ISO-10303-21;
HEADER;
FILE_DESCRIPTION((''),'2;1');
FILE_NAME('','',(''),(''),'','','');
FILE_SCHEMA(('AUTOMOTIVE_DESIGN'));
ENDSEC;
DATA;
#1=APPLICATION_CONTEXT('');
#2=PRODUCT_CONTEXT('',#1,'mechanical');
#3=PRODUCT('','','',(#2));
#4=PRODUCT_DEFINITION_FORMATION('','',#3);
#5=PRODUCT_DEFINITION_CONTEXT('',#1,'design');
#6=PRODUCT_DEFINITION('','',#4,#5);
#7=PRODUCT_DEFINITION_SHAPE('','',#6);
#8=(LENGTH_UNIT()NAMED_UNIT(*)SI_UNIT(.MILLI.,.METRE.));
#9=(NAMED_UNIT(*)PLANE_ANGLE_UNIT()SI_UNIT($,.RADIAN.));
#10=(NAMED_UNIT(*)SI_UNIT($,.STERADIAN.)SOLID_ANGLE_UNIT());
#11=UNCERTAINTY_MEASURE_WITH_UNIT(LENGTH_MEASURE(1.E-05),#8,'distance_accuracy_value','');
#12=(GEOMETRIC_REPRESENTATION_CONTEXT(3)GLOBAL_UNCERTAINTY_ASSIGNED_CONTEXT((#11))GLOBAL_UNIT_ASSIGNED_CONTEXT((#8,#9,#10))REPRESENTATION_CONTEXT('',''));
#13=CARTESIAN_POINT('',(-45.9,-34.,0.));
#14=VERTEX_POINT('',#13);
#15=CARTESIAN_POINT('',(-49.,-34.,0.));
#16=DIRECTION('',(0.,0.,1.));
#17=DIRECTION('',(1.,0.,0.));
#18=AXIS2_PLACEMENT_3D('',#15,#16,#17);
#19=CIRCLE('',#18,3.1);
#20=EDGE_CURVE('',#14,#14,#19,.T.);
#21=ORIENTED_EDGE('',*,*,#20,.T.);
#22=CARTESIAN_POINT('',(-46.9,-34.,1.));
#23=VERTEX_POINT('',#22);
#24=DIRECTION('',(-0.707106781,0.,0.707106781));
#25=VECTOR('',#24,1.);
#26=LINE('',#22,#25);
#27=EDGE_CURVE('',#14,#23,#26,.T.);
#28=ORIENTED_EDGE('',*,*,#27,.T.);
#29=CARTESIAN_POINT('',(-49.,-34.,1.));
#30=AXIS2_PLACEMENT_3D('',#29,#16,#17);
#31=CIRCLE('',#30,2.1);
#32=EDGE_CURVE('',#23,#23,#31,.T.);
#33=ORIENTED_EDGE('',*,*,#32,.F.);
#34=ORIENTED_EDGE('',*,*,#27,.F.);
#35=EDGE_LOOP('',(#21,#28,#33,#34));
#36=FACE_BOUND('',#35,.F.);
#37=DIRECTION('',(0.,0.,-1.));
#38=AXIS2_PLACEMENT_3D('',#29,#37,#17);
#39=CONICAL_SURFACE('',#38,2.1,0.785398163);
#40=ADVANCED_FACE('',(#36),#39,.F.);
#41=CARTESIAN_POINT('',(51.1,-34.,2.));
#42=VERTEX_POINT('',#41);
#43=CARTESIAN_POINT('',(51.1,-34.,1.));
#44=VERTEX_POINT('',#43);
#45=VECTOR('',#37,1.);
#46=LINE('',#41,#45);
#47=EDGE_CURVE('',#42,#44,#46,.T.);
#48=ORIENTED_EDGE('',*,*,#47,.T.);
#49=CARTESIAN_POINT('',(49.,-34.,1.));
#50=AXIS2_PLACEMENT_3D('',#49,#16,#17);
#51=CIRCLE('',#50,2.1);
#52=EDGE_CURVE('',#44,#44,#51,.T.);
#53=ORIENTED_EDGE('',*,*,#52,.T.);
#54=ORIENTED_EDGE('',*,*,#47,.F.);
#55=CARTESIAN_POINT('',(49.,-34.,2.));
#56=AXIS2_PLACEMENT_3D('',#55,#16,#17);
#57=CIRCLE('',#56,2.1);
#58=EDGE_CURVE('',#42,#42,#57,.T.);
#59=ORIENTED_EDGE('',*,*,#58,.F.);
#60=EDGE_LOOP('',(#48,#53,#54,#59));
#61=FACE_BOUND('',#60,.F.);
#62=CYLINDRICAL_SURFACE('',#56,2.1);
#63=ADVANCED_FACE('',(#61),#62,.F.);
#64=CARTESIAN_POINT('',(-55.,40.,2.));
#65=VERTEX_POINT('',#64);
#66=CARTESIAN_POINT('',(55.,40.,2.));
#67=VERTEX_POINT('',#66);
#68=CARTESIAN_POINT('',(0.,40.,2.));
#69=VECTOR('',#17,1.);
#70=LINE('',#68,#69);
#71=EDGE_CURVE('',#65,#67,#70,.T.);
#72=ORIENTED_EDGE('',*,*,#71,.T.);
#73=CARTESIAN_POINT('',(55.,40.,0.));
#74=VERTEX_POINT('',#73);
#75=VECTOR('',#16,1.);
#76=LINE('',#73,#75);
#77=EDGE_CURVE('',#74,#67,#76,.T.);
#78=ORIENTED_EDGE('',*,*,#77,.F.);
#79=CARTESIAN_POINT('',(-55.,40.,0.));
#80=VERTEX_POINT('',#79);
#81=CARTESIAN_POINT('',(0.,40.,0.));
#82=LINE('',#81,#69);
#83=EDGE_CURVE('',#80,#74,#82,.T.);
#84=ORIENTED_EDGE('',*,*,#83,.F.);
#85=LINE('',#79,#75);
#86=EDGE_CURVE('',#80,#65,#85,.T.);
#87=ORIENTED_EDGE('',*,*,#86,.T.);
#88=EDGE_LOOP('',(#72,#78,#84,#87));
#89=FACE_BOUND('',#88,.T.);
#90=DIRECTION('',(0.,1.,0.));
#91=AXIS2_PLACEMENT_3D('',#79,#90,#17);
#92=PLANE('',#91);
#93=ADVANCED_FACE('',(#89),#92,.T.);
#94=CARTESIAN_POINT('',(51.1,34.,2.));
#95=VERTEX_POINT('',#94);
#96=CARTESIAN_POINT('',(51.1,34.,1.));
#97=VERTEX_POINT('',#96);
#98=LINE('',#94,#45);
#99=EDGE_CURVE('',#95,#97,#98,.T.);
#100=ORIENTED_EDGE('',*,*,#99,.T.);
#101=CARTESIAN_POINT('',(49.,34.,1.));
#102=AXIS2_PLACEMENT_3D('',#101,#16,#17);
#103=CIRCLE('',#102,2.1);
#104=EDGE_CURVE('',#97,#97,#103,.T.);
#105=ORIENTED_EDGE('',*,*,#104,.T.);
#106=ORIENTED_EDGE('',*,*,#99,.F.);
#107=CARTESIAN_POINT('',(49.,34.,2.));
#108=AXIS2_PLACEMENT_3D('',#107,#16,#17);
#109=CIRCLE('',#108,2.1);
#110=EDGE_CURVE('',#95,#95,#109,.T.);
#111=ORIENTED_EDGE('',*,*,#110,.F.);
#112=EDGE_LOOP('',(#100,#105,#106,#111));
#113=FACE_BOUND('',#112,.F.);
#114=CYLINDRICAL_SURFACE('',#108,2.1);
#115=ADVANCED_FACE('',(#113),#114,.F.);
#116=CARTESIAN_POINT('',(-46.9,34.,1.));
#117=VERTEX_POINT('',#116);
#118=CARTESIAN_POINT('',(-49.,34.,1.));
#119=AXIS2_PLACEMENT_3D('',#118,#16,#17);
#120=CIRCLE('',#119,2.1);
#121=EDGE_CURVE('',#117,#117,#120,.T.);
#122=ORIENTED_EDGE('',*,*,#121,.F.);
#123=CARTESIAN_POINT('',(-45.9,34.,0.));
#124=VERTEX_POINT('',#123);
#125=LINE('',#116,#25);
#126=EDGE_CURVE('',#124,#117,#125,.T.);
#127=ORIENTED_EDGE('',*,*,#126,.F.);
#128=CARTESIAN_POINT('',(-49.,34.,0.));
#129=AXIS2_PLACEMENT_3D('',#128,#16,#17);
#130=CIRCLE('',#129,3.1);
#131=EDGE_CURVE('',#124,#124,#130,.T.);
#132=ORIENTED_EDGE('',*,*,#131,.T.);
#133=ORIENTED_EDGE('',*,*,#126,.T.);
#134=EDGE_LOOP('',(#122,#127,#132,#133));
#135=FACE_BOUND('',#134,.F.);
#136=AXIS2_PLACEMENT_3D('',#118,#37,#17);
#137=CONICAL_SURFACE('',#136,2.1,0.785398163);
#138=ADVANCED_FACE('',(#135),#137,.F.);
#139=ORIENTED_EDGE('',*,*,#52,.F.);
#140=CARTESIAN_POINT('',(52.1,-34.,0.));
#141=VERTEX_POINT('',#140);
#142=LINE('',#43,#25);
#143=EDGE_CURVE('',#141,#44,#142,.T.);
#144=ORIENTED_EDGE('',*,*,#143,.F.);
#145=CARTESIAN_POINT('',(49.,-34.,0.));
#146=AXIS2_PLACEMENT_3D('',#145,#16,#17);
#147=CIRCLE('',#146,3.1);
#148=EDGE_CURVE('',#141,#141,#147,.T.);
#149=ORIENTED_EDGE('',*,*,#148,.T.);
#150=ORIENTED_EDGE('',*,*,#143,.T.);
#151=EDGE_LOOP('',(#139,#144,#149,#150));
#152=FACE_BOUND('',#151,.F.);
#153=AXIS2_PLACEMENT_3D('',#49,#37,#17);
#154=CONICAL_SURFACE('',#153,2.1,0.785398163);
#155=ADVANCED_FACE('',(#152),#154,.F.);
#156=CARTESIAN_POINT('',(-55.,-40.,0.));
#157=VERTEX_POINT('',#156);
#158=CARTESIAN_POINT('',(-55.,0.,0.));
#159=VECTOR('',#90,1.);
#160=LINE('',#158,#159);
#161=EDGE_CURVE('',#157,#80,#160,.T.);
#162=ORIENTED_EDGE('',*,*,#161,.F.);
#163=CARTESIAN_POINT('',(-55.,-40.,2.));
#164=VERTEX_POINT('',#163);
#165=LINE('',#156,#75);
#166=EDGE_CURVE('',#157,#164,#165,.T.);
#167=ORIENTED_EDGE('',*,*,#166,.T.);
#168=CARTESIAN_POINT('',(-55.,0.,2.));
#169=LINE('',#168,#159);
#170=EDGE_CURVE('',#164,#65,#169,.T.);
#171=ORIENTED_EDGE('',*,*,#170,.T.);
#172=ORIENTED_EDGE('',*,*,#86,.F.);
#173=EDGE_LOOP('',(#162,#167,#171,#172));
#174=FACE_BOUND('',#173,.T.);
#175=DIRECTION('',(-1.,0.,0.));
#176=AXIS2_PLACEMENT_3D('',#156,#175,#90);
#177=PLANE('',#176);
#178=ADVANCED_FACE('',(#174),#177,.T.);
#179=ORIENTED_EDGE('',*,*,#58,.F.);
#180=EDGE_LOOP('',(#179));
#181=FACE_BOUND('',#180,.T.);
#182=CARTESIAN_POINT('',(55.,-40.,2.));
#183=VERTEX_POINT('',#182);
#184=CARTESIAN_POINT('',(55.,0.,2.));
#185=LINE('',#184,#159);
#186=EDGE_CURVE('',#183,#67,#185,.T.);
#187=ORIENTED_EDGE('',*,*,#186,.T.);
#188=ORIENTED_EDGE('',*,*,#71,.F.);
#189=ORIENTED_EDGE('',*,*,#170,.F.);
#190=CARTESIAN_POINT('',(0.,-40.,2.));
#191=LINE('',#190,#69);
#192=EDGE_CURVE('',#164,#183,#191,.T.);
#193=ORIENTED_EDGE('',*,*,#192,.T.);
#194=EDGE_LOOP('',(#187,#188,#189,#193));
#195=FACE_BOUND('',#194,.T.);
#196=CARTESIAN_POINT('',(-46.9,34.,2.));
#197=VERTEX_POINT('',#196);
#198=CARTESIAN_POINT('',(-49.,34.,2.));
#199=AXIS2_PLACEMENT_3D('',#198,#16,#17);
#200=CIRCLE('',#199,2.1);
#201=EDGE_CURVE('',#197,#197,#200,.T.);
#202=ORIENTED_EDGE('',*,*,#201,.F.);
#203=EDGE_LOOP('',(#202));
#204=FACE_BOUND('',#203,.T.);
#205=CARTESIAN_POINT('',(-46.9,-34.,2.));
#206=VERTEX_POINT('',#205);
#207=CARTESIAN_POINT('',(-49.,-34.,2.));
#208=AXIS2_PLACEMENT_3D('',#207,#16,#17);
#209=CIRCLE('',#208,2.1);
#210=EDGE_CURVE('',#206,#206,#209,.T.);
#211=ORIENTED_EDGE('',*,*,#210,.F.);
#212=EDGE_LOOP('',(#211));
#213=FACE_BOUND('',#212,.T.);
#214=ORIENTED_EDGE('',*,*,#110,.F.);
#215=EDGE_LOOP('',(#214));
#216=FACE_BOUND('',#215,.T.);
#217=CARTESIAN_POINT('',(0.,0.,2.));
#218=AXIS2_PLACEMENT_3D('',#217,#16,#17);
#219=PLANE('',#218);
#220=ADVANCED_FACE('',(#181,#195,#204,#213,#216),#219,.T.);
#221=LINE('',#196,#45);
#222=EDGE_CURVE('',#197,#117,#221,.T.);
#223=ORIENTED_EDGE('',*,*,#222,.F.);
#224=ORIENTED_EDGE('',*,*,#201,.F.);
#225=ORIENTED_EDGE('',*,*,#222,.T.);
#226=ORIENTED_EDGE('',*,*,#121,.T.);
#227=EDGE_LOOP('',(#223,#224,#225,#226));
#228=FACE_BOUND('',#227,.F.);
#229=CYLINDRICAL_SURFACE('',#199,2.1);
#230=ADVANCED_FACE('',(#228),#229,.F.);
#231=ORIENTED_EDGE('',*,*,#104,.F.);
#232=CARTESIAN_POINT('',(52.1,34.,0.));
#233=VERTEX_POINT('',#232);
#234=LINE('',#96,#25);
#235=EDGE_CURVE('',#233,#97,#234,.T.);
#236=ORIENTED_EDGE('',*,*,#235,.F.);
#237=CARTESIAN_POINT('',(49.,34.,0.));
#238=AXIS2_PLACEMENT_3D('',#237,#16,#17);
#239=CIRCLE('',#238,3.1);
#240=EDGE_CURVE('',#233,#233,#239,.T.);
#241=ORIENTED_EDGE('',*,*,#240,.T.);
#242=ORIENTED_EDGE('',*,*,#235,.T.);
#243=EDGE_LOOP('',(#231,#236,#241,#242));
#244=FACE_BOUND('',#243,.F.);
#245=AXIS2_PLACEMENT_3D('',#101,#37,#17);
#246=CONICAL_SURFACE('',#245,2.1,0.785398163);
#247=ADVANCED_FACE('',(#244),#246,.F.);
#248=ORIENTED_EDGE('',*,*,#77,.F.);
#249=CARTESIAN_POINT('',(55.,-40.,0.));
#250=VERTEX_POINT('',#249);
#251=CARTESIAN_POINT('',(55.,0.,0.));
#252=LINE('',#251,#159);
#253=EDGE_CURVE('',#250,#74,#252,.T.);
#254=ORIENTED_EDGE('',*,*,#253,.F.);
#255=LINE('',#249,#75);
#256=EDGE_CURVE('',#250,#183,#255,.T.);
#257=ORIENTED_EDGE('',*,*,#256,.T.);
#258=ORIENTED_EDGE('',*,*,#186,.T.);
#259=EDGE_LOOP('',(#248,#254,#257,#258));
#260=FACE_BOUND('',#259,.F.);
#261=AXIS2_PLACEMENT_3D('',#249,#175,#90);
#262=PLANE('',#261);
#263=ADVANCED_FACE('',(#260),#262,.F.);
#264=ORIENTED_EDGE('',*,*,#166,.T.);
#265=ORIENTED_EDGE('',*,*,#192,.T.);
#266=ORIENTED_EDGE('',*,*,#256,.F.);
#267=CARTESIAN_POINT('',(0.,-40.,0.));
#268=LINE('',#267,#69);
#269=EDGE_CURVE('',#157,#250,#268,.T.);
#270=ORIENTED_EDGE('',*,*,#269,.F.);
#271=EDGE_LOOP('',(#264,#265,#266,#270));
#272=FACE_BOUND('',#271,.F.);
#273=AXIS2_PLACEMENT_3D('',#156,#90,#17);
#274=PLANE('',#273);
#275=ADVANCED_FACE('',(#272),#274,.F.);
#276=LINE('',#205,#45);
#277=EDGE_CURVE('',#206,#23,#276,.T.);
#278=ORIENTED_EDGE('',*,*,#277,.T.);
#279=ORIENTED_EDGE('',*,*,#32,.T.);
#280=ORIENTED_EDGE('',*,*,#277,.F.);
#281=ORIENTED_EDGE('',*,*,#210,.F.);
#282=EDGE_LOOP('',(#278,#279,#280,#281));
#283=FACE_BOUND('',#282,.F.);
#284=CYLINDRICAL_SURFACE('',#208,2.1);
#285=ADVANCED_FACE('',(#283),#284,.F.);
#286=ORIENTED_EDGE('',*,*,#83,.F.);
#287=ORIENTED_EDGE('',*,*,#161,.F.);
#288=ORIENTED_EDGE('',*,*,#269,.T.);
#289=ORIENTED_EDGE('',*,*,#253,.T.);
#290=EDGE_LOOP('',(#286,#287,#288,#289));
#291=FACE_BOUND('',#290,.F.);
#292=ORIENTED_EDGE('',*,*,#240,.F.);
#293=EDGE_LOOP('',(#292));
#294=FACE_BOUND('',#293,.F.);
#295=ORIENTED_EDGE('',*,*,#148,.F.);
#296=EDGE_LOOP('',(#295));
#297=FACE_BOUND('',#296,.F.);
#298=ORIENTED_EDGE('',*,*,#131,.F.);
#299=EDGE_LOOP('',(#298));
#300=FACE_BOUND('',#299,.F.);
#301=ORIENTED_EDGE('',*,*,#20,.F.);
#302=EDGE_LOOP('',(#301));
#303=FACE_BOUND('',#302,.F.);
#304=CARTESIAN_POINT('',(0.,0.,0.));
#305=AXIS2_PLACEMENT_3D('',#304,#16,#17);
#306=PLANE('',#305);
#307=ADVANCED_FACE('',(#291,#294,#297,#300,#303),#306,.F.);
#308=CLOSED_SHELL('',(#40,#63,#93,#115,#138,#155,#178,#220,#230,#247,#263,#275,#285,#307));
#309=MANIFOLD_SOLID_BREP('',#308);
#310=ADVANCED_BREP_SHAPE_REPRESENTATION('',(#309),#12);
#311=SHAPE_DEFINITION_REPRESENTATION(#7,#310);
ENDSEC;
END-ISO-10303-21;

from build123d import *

# Parameters (mm, degrees)
SKETCH_W     = 110
SKETCH_H     = 80
PAD_DEPTH    = 2
SKETCH001_R  = 2.1
POCKET_DEPTH = 5
CHAMFER_SIZE = 1


with BuildPart() as part:
    # Sketch → Pad (new body)
    with BuildSketch(Plane.XY):
        Rectangle(SKETCH_W, SKETCH_H)
    extrude(amount=PAD_DEPTH)

    # Sketch001 (on Face6 of Pad) → Pocket (cut)
    with BuildSketch(Plane.XY.offset(2)):
        with Locations((49, 34)):
            Circle(SKETCH001_R)
        with Locations((-49, 34)):
            Circle(SKETCH001_R)
        with Locations((-49, -34)):
            Circle(SKETCH001_R)
        with Locations((49, -34)):
            Circle(SKETCH001_R)
    extrude(amount=-POCKET_DEPTH, mode=Mode.SUBTRACT)

    # Chamfer
    chamfer_edges = [part.edges().sort_by_distance(p)[0] for p in [
        (-51.1, -34, 0),
        (-51.1, 34, 0),
        (46.9, 34, 0),
        (46.9, -34, 0),
    ]]
    chamfer(chamfer_edges, length=CHAMFER_SIZE)


solid = part.part
